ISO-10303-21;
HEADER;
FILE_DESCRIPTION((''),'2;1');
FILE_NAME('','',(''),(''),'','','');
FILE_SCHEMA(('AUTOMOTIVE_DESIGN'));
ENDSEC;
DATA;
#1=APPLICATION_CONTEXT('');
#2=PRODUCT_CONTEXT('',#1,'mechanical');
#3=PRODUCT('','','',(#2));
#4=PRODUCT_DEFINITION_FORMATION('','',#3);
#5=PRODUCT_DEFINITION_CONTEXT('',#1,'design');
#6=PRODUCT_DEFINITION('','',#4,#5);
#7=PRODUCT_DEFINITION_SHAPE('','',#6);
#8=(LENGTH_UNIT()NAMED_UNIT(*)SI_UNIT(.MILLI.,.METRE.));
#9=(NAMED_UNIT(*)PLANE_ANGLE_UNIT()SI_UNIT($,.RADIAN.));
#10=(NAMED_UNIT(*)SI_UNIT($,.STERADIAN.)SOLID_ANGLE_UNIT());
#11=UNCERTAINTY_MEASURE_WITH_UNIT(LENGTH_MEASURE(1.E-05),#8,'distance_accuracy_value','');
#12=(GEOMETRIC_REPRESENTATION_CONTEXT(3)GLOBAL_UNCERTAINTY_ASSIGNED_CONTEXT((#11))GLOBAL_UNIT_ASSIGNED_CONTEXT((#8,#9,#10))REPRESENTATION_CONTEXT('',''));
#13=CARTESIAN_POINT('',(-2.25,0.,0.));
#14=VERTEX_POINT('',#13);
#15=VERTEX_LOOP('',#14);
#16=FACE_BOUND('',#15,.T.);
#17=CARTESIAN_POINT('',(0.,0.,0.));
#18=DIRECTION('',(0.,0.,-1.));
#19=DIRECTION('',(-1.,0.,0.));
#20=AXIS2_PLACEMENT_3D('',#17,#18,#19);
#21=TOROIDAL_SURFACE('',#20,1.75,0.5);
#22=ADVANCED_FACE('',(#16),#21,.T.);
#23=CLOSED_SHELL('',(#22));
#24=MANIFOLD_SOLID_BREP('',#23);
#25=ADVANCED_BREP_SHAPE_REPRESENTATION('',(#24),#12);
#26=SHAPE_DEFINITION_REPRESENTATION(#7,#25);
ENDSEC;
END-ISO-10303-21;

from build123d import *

# Parameters (mm, degrees)
SKETCH2_R = 0.5


with BuildPart() as part:
    # Sketch2 → Revolve1 (revolve)
    with BuildSketch(Plane(origin=(0, 0, 0), x_dir=(1, 0, 0), z_dir=(0, 1, 0)), mode=Mode.PRIVATE) as revolve1_sk:
        with Locations((1.75, 0)):
            Circle(SKETCH2_R)
    revolve(revolve1_sk.sketch.rotate(Axis((0, 0, -0.5), (0, 0, 1)), 180), axis=Axis((0, 0, -0.5), (0, 0, 1)))


solid = part.part
